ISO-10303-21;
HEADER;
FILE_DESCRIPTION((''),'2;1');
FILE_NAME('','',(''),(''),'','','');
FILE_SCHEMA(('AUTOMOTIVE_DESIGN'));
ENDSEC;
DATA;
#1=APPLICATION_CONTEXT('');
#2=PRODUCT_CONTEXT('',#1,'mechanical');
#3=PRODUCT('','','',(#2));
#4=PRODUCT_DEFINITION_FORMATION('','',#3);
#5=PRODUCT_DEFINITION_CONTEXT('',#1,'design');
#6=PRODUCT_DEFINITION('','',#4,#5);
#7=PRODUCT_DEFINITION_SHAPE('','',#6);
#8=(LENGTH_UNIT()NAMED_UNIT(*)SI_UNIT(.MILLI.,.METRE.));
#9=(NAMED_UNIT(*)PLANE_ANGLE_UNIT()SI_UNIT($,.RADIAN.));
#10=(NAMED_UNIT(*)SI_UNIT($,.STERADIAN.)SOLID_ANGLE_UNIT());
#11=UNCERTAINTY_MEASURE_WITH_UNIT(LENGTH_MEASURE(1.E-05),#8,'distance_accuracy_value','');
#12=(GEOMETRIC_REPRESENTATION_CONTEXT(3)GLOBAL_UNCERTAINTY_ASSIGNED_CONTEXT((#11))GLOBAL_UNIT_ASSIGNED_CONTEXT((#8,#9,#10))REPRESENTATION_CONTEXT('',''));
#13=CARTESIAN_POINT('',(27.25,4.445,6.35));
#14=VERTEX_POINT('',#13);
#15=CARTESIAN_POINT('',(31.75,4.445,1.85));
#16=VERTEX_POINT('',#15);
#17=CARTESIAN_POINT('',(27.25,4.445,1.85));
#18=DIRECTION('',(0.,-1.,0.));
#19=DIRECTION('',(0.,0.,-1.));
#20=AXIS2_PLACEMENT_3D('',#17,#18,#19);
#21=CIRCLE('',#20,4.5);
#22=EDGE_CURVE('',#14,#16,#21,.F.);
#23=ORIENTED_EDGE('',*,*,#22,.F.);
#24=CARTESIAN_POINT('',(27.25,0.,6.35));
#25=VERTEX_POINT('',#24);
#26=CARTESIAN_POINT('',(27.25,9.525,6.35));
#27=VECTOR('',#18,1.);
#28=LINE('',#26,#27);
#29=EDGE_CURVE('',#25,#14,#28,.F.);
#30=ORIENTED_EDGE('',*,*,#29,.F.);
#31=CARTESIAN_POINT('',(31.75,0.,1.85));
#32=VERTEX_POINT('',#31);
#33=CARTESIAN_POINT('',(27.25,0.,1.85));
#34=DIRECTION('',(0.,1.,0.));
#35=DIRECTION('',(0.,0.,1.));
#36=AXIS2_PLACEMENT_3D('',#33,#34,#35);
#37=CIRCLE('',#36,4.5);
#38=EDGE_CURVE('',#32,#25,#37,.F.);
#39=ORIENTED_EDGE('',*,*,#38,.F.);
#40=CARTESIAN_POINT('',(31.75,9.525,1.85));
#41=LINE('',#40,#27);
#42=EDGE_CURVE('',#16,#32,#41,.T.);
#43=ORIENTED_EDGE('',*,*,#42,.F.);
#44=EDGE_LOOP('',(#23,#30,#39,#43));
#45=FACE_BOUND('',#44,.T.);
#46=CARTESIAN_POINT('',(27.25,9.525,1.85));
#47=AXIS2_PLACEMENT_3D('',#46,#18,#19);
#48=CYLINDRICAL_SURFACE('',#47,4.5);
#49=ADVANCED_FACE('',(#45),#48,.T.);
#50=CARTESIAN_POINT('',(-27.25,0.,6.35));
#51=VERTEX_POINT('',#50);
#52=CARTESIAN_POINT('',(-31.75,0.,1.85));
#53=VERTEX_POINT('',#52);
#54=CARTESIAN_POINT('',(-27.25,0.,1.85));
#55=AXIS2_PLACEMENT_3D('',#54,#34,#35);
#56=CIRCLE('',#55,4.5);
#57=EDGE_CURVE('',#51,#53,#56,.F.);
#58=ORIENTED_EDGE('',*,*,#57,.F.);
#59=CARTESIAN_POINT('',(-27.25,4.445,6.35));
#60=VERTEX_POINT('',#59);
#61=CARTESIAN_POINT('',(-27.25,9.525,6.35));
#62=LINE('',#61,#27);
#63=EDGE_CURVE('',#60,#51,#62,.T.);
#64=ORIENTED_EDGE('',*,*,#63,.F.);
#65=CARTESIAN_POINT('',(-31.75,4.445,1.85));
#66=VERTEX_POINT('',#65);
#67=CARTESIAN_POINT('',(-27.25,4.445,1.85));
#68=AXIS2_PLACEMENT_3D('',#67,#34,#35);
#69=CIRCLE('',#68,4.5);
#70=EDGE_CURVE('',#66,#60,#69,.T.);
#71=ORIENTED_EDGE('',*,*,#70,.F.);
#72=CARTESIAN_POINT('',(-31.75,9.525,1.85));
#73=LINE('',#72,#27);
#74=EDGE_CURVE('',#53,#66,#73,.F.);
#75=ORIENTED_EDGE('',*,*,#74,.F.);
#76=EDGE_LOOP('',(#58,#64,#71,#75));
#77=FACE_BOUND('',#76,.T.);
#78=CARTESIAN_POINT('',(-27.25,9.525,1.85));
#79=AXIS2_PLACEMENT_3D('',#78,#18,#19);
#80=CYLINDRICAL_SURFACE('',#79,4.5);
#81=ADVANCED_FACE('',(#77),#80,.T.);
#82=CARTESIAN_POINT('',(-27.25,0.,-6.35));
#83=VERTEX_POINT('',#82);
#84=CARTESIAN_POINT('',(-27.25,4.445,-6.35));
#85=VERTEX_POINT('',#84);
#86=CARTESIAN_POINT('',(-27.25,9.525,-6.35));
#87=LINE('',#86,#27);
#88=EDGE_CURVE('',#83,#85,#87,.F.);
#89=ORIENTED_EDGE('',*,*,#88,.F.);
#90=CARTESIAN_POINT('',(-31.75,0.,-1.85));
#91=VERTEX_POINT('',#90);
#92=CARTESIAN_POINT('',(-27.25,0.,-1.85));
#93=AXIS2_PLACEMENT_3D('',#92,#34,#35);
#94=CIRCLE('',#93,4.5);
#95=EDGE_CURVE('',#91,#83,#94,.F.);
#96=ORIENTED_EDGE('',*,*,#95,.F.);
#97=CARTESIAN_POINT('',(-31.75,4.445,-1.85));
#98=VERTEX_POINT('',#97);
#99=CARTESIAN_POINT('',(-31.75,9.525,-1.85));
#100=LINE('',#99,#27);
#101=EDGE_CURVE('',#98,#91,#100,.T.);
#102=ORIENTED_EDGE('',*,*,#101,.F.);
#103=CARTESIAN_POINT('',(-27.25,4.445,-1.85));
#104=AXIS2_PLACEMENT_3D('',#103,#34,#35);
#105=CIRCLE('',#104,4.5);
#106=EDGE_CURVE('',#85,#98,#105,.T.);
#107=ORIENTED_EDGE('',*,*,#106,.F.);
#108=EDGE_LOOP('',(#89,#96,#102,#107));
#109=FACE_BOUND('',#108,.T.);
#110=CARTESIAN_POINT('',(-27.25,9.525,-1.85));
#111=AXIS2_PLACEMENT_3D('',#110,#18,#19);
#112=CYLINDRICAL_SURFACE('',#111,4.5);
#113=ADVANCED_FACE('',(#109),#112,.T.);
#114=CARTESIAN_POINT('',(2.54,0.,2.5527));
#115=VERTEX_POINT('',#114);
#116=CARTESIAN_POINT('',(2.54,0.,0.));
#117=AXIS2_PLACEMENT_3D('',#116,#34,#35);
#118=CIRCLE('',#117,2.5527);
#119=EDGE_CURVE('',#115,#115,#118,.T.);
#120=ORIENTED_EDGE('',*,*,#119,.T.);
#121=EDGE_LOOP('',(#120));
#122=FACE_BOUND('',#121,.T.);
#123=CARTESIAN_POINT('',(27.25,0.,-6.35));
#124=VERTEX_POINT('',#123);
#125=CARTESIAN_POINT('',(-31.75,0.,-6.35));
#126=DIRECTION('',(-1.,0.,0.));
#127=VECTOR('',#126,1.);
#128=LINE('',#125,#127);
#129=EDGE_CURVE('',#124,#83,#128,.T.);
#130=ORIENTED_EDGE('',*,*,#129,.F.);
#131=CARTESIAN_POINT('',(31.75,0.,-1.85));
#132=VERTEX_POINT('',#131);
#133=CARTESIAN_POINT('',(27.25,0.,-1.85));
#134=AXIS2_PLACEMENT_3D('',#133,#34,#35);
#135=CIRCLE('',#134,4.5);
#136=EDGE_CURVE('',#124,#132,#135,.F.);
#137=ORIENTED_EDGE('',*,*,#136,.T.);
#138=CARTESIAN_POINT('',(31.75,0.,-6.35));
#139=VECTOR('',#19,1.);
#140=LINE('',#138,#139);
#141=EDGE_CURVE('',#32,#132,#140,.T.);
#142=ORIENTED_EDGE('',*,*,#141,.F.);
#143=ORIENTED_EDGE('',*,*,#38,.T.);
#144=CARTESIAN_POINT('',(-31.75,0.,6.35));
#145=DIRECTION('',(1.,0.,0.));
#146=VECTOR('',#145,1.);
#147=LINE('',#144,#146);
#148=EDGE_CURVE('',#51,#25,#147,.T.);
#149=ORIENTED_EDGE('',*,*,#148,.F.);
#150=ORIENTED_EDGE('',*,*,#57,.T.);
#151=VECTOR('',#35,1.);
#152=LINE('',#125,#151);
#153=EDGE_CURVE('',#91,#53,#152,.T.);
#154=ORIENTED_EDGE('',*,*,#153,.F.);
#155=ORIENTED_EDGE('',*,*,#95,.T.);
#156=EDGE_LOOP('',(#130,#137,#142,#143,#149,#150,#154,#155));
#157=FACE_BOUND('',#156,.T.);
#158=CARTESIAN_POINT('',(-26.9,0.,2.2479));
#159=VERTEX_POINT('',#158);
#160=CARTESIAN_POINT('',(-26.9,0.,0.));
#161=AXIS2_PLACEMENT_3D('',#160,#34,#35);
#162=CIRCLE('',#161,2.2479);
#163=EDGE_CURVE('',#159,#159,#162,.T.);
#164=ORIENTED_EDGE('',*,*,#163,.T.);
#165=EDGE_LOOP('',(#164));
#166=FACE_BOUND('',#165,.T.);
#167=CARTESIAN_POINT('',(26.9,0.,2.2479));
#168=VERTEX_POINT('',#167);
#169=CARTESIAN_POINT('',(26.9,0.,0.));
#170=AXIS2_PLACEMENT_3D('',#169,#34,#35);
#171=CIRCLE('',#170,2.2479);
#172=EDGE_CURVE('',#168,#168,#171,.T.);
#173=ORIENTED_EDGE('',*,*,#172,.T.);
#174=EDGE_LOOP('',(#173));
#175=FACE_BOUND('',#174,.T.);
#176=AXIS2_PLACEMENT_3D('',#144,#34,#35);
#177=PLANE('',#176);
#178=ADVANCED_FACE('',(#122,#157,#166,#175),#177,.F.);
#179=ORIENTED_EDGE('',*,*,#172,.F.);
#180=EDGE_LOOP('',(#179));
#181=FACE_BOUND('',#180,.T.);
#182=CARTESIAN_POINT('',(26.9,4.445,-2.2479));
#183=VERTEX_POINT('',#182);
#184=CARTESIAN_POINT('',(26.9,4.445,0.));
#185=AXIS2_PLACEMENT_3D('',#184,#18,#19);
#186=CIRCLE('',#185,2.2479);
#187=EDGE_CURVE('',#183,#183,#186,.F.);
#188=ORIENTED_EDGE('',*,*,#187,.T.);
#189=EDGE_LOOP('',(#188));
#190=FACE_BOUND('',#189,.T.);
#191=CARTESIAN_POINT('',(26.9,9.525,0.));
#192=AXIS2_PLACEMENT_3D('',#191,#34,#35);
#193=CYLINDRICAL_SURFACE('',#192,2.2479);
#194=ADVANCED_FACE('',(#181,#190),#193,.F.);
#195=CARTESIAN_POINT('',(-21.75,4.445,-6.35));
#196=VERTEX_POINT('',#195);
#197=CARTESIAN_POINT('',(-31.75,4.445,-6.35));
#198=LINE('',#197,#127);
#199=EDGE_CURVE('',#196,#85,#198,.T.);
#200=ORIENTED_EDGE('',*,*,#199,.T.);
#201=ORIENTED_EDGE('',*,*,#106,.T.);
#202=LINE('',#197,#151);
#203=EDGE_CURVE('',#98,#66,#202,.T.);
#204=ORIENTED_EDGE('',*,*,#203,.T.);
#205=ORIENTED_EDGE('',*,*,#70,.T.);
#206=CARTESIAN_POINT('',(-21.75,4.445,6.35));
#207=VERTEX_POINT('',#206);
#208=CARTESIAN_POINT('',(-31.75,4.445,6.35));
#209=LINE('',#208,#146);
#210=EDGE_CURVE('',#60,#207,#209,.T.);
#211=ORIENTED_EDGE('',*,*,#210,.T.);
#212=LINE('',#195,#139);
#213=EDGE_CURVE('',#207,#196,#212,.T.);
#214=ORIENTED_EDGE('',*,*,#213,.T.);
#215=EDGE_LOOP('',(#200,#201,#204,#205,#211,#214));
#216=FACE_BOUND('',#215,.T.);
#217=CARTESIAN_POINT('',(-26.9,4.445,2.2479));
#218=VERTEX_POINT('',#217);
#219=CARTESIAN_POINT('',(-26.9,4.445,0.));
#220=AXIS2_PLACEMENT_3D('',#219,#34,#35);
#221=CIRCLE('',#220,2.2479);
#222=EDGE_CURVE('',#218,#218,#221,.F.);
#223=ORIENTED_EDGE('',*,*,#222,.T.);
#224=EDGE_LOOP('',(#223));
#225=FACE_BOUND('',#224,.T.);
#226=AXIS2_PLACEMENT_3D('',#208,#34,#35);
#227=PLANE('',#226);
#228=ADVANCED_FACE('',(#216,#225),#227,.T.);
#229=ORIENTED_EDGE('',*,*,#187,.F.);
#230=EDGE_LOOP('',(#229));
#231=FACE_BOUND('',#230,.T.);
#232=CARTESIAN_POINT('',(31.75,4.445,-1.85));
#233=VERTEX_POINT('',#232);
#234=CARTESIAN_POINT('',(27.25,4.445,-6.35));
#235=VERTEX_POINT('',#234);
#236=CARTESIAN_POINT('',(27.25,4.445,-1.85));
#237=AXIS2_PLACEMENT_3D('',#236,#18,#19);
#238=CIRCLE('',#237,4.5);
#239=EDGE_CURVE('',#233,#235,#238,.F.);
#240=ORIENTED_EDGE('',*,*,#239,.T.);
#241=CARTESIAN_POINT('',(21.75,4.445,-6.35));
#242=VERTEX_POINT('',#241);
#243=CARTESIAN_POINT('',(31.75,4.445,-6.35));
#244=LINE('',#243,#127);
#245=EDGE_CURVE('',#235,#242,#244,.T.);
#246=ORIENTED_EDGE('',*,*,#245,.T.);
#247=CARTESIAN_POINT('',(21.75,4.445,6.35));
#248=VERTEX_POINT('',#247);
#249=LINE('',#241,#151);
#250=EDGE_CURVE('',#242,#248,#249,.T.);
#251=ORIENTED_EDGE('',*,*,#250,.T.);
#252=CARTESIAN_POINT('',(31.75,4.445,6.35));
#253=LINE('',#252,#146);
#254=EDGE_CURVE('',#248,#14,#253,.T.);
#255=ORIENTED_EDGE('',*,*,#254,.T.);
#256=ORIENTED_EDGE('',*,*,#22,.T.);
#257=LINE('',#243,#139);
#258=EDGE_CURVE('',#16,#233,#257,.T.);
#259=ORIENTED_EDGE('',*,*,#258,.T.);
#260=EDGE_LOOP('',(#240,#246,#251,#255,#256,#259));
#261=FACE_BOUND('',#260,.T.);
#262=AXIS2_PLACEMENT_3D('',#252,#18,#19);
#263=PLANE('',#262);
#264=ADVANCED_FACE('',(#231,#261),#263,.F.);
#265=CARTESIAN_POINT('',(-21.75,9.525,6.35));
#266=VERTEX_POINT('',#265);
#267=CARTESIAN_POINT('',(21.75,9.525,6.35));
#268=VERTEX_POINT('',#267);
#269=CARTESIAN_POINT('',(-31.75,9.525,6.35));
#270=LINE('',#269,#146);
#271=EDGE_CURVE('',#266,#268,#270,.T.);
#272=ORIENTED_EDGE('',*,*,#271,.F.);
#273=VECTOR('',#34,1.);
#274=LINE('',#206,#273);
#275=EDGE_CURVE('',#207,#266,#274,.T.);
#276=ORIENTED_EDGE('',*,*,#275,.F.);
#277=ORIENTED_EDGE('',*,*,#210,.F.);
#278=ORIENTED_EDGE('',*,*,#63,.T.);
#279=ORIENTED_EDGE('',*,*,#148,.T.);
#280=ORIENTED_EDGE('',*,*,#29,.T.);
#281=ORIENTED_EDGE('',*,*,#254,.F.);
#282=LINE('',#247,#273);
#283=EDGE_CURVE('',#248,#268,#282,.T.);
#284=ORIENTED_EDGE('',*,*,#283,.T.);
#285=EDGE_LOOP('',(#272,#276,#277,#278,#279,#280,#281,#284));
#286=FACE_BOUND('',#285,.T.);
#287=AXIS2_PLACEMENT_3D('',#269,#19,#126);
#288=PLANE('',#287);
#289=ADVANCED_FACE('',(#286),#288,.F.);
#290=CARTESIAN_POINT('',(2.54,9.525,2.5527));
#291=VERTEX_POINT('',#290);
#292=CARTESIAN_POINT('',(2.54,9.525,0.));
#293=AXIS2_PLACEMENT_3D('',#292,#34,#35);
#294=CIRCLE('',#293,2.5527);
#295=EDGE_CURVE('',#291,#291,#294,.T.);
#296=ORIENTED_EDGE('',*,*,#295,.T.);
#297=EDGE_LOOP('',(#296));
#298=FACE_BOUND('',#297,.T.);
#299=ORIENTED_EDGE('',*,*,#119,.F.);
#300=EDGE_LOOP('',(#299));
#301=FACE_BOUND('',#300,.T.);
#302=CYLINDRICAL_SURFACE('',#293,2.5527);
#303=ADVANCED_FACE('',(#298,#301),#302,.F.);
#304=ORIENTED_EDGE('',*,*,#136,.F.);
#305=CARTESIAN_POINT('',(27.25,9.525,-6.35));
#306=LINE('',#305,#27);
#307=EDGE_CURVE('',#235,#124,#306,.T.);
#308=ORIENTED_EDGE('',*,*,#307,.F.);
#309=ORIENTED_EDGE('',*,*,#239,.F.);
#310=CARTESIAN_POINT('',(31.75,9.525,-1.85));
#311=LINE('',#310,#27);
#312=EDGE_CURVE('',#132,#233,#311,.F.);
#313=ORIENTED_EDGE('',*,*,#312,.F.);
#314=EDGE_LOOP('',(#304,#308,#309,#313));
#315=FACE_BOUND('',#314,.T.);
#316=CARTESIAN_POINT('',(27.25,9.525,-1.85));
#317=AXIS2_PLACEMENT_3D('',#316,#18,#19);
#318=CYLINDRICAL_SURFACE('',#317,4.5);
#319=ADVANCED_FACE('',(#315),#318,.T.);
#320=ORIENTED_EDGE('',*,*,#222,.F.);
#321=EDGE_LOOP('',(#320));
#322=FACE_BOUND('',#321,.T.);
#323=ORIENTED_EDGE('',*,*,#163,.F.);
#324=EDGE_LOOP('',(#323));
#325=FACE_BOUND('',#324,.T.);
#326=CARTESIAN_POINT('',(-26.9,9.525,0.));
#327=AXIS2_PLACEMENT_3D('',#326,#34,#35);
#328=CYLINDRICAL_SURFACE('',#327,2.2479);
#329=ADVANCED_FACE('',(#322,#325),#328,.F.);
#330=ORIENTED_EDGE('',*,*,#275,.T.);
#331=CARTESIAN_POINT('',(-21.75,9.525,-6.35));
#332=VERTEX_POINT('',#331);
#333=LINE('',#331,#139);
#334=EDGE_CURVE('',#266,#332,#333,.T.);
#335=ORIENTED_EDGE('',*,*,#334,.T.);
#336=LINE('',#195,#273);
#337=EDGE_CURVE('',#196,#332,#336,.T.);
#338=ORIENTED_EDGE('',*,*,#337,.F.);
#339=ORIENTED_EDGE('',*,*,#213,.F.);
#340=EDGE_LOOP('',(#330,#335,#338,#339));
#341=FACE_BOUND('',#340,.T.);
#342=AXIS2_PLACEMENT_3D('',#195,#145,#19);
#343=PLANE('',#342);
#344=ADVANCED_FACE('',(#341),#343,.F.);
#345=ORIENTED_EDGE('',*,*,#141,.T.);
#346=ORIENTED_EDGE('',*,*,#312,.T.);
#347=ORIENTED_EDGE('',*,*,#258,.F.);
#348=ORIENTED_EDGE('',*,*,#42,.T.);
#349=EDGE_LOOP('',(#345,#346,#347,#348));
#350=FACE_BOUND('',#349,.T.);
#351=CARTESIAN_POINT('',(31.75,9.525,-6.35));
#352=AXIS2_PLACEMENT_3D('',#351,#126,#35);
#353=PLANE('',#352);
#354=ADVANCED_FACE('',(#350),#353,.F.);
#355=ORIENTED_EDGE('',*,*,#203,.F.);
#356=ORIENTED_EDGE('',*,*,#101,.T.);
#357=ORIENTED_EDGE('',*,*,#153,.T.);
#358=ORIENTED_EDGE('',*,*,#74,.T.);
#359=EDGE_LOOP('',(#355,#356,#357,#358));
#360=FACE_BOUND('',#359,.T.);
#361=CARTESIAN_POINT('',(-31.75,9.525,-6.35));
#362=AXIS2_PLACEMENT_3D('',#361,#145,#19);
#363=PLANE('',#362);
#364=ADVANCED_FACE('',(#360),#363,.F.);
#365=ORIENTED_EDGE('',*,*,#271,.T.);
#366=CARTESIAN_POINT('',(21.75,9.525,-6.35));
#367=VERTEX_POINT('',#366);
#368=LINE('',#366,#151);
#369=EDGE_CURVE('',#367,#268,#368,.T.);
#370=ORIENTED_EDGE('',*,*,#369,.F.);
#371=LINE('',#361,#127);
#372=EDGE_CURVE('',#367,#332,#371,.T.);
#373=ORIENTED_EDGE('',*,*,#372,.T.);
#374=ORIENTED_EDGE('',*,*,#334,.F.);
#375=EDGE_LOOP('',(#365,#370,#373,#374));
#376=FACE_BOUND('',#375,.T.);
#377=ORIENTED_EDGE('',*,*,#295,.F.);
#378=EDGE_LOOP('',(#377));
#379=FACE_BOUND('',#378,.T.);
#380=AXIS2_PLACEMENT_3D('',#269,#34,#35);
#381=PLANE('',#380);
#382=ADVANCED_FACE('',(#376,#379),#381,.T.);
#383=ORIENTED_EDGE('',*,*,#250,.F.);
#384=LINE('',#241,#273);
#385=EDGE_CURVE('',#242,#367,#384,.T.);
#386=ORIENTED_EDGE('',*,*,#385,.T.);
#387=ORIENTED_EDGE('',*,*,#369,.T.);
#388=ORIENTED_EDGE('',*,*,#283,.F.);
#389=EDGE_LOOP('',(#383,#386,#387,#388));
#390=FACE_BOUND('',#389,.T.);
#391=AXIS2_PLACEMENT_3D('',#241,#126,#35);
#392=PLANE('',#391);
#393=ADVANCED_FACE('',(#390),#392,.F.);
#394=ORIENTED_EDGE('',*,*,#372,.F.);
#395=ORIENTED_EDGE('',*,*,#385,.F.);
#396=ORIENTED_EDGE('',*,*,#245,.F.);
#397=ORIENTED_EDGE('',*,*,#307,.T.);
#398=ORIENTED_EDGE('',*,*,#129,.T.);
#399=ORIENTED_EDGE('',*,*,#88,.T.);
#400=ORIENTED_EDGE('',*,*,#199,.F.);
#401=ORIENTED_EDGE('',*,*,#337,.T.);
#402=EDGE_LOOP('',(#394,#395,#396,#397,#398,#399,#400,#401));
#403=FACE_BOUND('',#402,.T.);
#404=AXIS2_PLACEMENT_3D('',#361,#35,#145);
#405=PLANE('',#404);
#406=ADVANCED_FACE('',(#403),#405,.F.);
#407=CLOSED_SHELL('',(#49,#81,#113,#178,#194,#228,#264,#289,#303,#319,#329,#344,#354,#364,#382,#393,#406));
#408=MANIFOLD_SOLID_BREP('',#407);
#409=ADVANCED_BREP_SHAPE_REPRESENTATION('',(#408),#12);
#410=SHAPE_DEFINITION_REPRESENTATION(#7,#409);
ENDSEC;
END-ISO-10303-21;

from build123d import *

# Parameters (mm, degrees)
SKETCH1_W               = 63.5
SKETCH1_H               = 12.7
EXTRUDE1_DEPTH          = 9.525
F_1_4_20_TAPPED_HOLE1_D = 5.1054
F_8_CLEARANCE_HOLE1_D   = 4.4958
SKETCH6_W               = 10
SKETCH6_H               = 12.7
CUT_EXTRUDE1_DEPTH      = 5.08
FILLET1_R               = 4.5


with BuildPart() as part:
    # Sketch1 → Extrude1 (new body)
    with BuildSketch(Plane(origin=(0, 0, 0), x_dir=(1, 0, 0), z_dir=(0, 1, 0))):
        Rectangle(SKETCH1_W, SKETCH1_H)
    extrude(amount=EXTRUDE1_DEPTH)

    # 1/4-20 Tapped Hole1 (through all)
    with Locations(Plane(origin=(-30.881531845, 9.525, 2.131635314), x_dir=(-1, 0, 0), z_dir=(0, 1, 0))):
        with Locations((-33.421531845, -2.131635314)):
            Hole(F_1_4_20_TAPPED_HOLE1_D / 2)

    # #8 Clearance Hole1 (through all)
    with Locations(Plane(origin=(34.21817196, 9.525, -1.204904774), x_dir=(-1, 0, 0), z_dir=(0, 1, 0))):
        with Locations((61.11817196, 1.204904774), (7.31817196, 1.204904774)):
            Hole(F_8_CLEARANCE_HOLE1_D / 2)

    # Sketch6 → Cut-Extrude1 (cut)
    with BuildSketch(Plane(origin=(0, 9.525, 0), x_dir=(-1, 0, 0), z_dir=(0, 1, 0))):
        with Locations((26.75, 0)):
            Rectangle(SKETCH6_W, SKETCH6_H)
        with Locations((-26.75, 0)):
            Rectangle(SKETCH6_W, SKETCH6_H)
    extrude(amount=-CUT_EXTRUDE1_DEPTH, mode=Mode.SUBTRACT)

    # Fillet1
    fillet1_edges = [part.edges().sort_by_distance(p)[0] for p in [
        (-31.75, 2.2225, -6.35),
        (-31.75, 2.2225, 6.35),
        (31.75, 2.2225, -6.35),
        (31.75, 2.2225, 6.35),
    ]]
    fillet(fillet1_edges, radius=FILLET1_R)


solid = part.part
